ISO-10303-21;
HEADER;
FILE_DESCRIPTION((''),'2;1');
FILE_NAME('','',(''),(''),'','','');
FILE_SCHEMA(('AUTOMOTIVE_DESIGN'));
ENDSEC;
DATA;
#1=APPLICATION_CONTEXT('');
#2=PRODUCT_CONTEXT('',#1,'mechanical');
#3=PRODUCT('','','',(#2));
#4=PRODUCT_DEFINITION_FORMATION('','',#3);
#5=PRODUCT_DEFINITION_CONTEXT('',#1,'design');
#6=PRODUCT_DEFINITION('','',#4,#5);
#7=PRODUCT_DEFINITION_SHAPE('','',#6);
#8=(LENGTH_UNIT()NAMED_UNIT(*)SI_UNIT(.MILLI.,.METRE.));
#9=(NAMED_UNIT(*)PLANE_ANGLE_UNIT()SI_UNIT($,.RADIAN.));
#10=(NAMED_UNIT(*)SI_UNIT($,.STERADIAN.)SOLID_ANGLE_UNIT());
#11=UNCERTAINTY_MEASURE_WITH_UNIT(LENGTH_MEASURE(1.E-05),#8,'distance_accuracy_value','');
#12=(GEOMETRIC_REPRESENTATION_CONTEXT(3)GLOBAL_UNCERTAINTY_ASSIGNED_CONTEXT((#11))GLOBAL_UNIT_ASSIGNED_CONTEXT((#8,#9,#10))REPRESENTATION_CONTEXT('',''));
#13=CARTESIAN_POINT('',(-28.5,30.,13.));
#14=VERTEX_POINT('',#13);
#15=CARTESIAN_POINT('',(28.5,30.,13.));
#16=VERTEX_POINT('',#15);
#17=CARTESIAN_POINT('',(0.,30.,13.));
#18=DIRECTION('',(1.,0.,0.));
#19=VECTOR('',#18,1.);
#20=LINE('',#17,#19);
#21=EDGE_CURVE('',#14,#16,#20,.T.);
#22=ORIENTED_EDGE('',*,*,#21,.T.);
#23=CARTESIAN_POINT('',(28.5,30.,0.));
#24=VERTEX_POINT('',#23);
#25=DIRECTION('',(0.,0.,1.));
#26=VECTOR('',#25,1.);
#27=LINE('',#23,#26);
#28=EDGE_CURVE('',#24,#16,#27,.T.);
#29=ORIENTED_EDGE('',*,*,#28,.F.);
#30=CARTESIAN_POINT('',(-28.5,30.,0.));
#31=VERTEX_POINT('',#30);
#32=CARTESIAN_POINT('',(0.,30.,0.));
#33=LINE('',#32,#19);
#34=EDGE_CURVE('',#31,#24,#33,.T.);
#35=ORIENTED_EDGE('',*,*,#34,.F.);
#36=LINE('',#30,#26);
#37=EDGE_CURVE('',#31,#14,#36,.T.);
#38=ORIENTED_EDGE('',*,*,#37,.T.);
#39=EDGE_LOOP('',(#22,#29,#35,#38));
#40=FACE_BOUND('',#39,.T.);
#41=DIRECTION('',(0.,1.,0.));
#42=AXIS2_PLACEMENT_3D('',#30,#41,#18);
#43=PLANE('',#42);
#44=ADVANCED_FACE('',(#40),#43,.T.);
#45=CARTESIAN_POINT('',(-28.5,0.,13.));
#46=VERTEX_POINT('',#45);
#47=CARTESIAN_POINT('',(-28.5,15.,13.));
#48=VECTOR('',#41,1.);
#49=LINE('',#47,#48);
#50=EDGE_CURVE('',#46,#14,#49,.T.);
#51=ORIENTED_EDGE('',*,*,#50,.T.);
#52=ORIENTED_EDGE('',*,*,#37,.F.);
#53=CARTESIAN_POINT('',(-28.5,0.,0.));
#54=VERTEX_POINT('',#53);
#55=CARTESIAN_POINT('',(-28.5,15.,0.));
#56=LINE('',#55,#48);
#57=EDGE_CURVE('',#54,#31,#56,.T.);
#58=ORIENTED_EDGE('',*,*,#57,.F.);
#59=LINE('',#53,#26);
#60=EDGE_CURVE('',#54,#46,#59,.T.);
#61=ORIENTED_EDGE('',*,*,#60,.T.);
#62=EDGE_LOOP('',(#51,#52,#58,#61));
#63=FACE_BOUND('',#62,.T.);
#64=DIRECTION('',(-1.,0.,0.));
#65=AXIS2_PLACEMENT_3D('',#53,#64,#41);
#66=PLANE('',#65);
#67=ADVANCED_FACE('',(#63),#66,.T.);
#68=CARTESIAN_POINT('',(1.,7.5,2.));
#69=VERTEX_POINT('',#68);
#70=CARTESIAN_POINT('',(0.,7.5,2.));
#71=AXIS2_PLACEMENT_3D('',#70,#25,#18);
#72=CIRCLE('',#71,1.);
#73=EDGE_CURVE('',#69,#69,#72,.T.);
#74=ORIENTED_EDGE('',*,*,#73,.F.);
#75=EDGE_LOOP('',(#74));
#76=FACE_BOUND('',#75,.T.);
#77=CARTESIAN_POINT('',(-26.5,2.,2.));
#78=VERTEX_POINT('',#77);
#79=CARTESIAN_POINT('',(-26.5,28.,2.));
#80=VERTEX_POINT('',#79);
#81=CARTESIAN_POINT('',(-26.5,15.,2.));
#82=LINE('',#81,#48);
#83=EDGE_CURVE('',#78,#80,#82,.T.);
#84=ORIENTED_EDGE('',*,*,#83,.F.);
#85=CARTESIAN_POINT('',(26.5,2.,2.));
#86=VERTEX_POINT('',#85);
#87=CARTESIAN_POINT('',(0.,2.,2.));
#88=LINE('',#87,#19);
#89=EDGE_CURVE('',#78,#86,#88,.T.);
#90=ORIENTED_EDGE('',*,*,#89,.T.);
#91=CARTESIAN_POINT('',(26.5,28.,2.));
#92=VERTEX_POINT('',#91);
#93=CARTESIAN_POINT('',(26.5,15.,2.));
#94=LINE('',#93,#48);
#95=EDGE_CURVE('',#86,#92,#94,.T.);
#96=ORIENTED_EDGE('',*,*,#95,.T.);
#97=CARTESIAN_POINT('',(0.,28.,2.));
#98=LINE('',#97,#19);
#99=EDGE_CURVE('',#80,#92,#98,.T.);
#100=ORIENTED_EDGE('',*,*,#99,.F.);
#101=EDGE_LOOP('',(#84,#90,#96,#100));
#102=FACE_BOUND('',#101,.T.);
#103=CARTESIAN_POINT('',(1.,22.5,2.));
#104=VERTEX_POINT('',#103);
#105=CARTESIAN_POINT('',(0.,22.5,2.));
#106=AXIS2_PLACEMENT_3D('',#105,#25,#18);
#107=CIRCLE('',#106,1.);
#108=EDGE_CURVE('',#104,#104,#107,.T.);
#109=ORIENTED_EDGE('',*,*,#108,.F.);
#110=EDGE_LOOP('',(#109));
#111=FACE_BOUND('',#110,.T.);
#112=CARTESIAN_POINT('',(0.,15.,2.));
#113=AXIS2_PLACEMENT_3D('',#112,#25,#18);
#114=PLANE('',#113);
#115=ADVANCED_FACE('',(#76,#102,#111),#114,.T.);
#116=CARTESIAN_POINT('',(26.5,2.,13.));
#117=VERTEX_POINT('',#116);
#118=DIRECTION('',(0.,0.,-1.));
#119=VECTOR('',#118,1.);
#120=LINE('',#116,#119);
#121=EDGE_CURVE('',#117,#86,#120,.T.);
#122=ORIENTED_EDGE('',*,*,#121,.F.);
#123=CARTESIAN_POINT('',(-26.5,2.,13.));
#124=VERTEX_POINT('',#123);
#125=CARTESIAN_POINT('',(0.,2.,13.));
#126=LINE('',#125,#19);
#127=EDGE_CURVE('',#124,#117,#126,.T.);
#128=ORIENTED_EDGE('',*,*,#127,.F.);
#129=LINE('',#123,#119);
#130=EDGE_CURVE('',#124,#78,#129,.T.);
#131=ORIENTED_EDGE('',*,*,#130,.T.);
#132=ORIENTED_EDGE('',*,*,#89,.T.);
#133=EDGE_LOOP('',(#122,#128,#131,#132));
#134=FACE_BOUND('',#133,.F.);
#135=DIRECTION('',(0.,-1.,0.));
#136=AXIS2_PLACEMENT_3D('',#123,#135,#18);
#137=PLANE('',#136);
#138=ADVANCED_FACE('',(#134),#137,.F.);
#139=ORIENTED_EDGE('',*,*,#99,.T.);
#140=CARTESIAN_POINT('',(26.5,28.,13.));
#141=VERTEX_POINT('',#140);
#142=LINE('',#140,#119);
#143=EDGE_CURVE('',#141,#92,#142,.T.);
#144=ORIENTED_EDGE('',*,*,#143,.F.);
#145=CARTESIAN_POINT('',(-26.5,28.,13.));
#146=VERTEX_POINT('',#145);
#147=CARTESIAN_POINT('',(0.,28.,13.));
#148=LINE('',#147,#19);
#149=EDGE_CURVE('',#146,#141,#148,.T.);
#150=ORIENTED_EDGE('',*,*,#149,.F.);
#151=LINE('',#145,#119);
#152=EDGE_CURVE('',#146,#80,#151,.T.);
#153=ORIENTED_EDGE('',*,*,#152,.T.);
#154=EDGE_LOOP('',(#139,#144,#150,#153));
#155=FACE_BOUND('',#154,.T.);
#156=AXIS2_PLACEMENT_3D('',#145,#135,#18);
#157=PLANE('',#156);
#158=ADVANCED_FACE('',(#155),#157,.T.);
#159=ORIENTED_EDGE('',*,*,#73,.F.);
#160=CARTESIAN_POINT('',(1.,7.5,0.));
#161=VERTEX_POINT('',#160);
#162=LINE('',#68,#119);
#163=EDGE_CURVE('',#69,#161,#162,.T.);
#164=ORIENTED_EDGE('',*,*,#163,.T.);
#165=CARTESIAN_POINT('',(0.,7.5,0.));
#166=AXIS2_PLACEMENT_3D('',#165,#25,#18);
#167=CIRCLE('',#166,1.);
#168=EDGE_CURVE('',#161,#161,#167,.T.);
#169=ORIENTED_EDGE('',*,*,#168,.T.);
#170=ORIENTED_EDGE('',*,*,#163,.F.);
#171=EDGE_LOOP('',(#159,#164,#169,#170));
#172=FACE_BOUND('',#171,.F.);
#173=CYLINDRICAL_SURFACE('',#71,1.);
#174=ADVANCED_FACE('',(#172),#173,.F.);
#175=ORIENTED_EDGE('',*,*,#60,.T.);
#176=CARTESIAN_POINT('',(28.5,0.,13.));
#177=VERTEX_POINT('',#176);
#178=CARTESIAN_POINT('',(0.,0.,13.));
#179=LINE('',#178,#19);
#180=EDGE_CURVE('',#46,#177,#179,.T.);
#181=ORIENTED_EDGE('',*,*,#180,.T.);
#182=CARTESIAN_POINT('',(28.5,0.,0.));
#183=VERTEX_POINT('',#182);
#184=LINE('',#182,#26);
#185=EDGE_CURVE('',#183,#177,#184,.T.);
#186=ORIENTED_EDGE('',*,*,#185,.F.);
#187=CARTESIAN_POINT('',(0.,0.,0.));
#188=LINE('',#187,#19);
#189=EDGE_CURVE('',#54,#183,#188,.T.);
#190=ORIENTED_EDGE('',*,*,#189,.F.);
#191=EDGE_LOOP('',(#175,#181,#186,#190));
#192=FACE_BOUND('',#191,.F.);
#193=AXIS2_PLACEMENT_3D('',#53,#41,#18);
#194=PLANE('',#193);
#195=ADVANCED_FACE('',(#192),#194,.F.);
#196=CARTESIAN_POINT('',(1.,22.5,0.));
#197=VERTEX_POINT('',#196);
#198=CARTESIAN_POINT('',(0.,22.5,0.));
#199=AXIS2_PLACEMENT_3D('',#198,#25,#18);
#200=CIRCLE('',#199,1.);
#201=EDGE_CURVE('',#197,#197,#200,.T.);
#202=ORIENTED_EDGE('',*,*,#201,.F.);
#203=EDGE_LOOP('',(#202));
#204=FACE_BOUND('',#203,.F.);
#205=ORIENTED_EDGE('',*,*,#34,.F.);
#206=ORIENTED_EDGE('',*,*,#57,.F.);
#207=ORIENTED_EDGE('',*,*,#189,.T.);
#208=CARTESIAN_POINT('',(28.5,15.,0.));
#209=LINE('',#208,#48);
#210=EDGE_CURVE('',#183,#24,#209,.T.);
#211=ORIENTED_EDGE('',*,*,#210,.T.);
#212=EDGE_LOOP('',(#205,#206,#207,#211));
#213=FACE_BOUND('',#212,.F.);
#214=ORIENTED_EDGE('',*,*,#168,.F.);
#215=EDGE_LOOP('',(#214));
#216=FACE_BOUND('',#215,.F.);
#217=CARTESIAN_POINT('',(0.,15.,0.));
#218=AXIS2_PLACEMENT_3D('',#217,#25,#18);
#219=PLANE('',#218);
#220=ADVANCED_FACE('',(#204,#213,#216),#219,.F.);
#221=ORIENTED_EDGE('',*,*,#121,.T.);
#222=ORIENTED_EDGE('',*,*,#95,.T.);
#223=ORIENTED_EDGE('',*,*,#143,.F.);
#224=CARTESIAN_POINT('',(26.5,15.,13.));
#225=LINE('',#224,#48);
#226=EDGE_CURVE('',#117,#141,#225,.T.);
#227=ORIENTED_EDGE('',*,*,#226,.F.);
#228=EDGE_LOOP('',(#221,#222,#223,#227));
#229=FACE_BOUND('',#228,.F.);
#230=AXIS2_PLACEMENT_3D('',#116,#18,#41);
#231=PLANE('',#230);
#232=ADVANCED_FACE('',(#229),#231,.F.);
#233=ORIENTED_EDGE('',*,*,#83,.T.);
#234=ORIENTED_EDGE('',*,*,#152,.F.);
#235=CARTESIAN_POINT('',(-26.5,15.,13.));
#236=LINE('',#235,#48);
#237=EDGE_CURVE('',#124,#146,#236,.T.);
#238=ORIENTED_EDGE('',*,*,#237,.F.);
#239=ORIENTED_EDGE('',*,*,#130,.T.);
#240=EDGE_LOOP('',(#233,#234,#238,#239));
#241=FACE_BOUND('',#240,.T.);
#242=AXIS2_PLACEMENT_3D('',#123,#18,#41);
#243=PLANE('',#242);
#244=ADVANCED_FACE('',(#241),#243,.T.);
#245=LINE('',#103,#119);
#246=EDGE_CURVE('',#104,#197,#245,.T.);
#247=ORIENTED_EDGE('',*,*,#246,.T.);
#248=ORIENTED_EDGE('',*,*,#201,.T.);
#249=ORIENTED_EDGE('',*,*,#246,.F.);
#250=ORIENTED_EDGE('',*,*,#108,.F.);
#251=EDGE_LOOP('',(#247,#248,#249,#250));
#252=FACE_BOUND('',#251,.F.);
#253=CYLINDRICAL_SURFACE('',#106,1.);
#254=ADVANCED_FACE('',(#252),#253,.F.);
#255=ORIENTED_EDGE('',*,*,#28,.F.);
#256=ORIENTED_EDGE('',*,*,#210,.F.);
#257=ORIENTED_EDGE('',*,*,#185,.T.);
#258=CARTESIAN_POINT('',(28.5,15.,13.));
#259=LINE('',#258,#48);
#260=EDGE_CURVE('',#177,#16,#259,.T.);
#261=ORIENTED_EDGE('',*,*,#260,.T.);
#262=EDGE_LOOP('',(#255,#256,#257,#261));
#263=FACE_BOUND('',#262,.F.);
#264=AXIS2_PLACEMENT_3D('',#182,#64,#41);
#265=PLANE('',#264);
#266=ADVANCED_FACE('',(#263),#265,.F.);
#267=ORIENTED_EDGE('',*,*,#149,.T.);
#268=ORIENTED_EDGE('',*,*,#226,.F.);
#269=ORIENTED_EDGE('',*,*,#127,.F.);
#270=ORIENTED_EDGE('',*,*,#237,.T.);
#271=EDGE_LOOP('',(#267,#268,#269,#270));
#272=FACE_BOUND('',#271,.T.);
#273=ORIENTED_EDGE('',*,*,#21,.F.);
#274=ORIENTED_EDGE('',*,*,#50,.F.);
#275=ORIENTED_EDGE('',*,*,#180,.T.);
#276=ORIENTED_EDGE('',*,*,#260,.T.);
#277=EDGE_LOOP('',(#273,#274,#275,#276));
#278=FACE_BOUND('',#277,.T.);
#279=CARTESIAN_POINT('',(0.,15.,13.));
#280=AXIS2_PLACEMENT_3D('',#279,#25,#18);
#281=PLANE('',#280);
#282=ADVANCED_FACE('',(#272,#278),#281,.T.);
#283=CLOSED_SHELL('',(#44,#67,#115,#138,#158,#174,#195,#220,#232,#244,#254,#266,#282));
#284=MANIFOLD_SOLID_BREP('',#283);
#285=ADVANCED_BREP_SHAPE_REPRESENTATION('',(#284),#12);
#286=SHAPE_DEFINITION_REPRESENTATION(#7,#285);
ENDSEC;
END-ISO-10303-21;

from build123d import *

# Parameters (mm, degrees)
SKETCH_W        = 57
SKETCH_H        = 30
PAD_DEPTH       = 13
SKETCH001_W     = 53
SKETCH001_H     = 26
POCKET_DEPTH    = 11
SKETCH002_R     = 1
POCKET001_DEPTH = 2.001


with BuildPart() as part:
    # Sketch → Pad (new body)
    with BuildSketch(Plane.XY):
        with Locations((0, 15)):
            Rectangle(SKETCH_W, SKETCH_H)
    extrude(amount=PAD_DEPTH)

    # Sketch001 (on Face6 of Pad) → Pocket (cut)
    with BuildSketch(Plane.XY.offset(13)):
        with Locations((0, 15)):
            Rectangle(SKETCH001_W, SKETCH001_H)
    extrude(amount=-POCKET_DEPTH, mode=Mode.SUBTRACT)

    # Sketch002 (on Face11 of Pocket) → Pocket001 (cut, through all)
    with BuildSketch(Plane.XY.offset(2)):
        with Locations((0, 22.5)):
            Circle(SKETCH002_R)
        with Locations((0, 7.5)):
            Circle(SKETCH002_R)
    extrude(amount=-POCKET001_DEPTH, mode=Mode.SUBTRACT)


solid = part.part
